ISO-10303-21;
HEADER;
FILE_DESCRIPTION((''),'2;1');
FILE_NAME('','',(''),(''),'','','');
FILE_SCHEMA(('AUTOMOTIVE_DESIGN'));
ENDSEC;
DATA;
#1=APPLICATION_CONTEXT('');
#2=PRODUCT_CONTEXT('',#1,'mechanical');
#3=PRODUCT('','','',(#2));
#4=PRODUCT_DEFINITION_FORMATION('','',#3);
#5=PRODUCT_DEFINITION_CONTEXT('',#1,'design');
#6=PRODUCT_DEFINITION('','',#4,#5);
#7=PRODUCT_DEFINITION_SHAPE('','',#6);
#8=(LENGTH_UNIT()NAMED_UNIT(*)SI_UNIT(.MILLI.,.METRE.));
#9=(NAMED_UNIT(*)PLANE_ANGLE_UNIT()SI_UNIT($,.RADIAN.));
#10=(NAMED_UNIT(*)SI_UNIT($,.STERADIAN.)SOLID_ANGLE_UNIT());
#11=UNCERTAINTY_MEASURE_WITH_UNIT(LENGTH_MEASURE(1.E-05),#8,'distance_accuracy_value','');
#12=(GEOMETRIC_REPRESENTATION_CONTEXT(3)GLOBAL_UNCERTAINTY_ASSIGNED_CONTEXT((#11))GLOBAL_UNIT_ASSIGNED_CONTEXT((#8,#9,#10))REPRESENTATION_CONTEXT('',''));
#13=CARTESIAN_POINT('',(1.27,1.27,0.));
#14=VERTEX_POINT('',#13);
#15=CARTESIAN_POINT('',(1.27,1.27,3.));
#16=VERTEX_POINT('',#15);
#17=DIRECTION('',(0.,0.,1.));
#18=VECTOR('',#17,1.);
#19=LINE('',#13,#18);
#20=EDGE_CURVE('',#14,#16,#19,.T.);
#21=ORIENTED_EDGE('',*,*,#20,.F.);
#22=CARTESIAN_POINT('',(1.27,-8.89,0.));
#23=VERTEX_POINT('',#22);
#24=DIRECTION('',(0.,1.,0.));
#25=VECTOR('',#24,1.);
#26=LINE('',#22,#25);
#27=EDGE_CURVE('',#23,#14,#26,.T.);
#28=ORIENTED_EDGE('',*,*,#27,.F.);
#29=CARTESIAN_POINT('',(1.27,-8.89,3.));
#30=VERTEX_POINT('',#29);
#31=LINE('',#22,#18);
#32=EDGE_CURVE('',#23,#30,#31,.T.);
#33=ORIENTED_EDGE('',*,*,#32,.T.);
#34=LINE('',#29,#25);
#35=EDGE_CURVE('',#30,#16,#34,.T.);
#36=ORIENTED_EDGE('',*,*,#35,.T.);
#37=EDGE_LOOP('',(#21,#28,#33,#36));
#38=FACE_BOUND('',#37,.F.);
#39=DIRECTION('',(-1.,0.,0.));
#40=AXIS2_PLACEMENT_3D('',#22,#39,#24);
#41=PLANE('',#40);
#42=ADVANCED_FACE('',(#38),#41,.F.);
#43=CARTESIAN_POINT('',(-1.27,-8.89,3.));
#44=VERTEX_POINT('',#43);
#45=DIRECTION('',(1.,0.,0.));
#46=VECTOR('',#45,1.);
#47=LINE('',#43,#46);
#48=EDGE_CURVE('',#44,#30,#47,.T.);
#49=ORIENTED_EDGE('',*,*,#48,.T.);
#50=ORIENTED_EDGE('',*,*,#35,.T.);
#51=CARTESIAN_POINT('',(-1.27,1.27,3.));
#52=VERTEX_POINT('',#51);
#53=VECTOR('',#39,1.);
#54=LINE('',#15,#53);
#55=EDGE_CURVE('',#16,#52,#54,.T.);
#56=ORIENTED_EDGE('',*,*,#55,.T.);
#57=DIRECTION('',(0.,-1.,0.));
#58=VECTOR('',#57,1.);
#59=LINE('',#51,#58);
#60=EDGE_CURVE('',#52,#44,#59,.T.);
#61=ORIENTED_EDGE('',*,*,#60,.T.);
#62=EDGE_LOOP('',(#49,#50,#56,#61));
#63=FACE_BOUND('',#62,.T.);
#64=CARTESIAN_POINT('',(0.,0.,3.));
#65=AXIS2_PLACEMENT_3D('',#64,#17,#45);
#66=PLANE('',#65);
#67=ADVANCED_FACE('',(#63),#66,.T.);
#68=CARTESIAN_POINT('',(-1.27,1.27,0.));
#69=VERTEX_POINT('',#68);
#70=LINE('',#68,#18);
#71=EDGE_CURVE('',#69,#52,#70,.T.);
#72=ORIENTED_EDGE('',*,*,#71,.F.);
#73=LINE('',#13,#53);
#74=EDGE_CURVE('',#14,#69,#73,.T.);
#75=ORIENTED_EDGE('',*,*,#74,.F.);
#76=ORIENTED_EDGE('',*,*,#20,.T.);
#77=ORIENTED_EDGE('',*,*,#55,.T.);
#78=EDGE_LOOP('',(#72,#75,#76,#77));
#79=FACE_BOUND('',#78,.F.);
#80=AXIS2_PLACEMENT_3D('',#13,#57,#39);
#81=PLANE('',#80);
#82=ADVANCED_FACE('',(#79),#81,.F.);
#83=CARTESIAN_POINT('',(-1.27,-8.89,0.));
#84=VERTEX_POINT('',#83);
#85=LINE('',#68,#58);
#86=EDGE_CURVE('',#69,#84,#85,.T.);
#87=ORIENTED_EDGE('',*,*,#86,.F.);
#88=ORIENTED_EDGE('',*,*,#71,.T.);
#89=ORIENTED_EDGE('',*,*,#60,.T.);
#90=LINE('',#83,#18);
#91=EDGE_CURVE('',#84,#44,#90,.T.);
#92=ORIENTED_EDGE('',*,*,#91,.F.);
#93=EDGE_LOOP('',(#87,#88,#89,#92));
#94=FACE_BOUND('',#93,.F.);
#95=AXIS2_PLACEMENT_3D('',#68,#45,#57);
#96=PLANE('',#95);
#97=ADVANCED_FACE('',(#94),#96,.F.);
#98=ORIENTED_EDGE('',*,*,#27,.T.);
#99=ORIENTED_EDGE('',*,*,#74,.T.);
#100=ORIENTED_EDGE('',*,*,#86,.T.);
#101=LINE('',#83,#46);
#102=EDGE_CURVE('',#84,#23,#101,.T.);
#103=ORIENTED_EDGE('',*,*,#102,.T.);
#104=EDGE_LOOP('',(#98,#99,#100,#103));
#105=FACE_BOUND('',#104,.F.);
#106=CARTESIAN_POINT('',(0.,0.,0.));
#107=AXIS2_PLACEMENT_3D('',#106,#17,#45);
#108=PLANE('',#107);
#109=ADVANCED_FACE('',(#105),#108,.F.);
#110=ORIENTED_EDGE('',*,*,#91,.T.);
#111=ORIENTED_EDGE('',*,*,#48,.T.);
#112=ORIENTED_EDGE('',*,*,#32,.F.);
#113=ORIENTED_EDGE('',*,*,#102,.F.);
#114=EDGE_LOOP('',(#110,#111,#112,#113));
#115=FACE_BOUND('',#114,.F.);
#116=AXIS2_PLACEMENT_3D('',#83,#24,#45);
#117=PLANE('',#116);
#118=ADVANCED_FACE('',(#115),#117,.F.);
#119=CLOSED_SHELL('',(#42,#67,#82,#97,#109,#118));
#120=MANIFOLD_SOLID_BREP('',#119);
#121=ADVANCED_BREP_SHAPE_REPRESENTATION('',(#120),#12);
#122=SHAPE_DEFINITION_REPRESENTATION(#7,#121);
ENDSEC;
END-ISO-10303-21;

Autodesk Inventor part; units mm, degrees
ref_plane "YZ Plane" through (0, 0, 0) normal (1, 0, 0) x (0, 1, 0)
ref_plane "XZ Plane" through (0, 0, 0) normal (0, 1, 0) x (-1, 0, 0)
ref_plane "XY Plane" through (0, 0, 0) normal (0, 0, 1) x (1, 0, 0)
sketch "4, 4WP_33" plane through (0, 0, 0) normal (0, 0, 1) x (1, 0, 0)
  line L0 (-1.27, 1.27) -> (-1.27, -8.89)
  line L1 (-1.27, -8.89) -> (1.27, -8.89)
  line L2 (1.27, -8.89) -> (1.27, 1.27)
  line L3 (1.27, 1.27) -> (-1.27, 1.27)
extrude "Extrusion1" add sketch "4, 4WP_33" along normal blind 3
properties part number "4WP"
